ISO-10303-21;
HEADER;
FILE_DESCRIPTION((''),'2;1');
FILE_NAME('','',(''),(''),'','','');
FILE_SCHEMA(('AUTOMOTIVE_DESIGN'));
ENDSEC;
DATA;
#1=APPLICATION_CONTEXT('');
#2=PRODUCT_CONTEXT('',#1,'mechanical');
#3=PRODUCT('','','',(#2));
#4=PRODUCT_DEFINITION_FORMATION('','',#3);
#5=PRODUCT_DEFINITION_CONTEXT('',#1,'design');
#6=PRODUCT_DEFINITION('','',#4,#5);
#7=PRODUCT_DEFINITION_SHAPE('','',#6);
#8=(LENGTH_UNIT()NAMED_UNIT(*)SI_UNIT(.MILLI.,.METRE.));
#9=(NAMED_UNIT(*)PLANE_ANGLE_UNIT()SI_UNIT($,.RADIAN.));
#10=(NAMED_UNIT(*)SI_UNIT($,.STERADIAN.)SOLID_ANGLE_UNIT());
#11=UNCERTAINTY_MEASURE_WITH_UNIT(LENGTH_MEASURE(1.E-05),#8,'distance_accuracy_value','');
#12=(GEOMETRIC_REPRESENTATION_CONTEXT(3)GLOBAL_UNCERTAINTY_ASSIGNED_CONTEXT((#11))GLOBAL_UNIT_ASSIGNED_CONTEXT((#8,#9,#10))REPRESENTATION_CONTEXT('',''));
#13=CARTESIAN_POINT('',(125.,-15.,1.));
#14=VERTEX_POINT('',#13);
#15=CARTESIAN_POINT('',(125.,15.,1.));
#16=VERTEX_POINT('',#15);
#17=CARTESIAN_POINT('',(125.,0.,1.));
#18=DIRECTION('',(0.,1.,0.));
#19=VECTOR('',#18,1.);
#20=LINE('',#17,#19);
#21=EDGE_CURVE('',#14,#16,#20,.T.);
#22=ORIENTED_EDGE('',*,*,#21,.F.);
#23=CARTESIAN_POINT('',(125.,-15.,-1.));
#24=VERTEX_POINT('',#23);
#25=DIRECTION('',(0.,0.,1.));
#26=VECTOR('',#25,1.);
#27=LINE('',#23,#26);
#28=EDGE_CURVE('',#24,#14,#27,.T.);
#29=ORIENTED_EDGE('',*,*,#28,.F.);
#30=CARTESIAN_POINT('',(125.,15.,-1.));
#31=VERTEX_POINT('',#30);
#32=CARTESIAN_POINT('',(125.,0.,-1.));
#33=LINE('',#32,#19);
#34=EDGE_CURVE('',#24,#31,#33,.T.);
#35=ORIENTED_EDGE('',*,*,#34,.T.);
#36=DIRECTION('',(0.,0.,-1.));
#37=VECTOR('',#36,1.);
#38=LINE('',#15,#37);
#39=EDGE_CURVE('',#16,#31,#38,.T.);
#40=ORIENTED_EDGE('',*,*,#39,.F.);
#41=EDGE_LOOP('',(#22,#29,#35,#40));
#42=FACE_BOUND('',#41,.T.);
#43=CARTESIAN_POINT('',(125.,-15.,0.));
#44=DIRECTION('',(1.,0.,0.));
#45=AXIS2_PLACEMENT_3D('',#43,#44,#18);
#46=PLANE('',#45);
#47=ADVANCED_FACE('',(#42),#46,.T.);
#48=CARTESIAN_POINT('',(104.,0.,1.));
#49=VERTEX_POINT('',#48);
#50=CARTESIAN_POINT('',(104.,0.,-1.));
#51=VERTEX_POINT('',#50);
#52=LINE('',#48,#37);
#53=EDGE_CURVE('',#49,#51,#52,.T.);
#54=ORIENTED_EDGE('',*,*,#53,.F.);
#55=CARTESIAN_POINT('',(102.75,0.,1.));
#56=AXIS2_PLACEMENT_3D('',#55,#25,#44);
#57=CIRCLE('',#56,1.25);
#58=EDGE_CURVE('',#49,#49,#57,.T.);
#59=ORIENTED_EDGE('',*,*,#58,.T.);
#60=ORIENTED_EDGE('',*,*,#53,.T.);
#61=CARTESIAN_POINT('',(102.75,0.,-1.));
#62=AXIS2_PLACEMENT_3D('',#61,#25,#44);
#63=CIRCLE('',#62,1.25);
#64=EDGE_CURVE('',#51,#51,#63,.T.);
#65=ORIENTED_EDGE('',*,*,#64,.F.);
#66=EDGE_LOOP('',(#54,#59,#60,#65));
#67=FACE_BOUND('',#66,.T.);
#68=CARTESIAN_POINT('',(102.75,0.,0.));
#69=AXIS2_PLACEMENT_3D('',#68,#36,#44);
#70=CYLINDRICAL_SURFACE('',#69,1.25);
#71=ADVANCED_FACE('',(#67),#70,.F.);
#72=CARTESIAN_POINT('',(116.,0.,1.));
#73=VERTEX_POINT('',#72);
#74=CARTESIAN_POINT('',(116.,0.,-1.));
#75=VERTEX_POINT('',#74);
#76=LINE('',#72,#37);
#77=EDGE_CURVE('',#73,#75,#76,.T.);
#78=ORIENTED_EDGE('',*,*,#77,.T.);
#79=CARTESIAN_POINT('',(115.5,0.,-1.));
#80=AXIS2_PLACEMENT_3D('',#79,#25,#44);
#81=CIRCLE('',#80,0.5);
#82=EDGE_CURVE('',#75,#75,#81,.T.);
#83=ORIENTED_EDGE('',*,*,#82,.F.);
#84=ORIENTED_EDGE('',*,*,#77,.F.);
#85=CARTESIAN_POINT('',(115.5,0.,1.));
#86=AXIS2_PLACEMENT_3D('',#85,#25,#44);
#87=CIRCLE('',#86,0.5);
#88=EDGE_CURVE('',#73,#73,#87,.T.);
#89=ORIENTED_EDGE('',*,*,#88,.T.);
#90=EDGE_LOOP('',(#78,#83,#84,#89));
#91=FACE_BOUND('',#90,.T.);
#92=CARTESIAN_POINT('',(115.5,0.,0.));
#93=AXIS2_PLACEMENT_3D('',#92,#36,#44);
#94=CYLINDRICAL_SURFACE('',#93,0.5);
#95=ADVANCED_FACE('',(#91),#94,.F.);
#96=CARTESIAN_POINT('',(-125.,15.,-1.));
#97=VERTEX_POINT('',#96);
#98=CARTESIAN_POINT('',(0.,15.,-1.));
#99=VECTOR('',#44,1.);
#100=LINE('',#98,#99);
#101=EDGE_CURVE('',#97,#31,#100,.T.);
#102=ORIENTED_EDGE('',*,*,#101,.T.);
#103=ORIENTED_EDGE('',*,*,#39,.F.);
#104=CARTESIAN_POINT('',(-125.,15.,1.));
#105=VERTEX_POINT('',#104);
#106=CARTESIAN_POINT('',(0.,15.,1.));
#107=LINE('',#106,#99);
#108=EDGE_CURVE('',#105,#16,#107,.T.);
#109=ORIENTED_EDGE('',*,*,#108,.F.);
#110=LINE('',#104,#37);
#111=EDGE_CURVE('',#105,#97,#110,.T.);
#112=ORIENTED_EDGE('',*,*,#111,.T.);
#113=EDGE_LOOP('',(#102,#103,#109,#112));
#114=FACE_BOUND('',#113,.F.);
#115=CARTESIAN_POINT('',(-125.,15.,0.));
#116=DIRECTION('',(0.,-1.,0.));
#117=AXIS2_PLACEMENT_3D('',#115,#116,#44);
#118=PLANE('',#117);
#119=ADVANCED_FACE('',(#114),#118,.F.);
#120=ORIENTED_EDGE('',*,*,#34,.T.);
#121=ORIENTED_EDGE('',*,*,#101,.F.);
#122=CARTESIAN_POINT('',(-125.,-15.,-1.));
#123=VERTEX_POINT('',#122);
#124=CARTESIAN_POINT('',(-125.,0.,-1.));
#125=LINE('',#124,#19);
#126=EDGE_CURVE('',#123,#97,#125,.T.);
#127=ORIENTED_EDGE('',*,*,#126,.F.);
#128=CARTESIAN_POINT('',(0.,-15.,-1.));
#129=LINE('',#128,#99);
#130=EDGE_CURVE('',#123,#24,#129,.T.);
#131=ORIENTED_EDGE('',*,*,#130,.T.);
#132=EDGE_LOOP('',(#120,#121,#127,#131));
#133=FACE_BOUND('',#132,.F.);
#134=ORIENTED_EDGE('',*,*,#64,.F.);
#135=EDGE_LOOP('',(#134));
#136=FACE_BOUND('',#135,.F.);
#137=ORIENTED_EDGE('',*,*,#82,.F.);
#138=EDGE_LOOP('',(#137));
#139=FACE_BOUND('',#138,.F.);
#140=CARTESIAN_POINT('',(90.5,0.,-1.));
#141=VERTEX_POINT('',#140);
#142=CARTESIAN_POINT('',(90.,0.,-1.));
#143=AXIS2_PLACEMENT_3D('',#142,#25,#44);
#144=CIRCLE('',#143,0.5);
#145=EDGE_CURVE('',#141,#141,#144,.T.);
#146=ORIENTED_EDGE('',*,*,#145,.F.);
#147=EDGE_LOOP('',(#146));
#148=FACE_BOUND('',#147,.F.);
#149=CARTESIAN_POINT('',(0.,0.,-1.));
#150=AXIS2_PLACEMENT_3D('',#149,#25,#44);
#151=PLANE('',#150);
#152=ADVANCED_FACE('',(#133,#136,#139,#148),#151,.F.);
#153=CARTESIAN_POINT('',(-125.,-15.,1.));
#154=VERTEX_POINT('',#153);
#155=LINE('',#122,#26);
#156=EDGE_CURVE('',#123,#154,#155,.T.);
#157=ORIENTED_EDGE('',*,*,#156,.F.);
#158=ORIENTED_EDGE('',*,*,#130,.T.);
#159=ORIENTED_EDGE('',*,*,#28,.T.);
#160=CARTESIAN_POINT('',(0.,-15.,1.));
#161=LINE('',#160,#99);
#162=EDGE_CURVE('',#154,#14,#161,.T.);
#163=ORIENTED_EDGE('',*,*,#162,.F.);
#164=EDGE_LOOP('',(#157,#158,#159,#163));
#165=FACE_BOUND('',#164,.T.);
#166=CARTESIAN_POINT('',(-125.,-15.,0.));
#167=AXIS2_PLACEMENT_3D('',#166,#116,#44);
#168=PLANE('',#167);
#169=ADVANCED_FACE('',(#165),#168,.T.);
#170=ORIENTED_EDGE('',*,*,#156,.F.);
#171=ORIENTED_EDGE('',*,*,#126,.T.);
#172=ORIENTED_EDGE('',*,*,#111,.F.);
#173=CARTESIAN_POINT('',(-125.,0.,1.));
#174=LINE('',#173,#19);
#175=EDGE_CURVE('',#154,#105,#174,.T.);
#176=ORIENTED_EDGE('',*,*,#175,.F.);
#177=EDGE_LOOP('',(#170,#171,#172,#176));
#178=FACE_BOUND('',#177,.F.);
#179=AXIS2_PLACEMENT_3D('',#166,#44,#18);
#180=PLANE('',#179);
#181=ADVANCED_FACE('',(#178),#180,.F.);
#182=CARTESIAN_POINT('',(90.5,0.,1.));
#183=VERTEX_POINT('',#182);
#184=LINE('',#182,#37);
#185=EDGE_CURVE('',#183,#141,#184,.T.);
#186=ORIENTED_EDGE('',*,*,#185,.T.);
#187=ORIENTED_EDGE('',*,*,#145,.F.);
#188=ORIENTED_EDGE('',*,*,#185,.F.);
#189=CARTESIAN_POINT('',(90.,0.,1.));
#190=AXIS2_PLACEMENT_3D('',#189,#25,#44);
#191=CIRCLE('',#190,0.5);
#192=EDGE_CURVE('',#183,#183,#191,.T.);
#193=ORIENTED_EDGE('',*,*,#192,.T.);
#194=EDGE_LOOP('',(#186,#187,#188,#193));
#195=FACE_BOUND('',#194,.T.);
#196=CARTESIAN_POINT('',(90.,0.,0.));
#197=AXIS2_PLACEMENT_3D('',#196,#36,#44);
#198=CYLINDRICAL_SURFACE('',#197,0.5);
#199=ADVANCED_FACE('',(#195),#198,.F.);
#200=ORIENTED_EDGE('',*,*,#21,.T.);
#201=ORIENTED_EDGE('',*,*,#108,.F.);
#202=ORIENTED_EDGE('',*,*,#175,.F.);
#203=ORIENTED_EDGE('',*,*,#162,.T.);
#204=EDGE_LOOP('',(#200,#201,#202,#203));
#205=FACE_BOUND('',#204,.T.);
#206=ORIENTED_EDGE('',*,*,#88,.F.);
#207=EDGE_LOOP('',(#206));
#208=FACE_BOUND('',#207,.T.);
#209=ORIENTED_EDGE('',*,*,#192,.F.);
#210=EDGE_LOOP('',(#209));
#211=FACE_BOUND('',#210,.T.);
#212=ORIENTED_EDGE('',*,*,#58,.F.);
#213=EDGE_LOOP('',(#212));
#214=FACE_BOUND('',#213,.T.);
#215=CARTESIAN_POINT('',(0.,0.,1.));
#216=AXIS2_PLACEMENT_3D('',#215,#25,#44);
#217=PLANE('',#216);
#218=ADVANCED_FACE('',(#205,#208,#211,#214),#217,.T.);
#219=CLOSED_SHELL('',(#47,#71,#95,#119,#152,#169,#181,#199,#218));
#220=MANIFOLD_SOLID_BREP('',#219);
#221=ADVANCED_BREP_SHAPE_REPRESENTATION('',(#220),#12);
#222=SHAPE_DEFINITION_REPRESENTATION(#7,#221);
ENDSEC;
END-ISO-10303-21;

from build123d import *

# Parameters (mm, degrees)
F0_W     = 250
F0_H     = 30
F0_R     = 0.5
F0_R_2   = 1.25
F1_DEPTH = 1


with BuildPart() as f1:
    # F0 (on Top) → F1 (new body, symmetric)
    with BuildSketch(Plane.XY):
        Rectangle(F0_W, F0_H)
        with Locations((90, 0)):
            Circle(F0_R, mode=Mode.SUBTRACT)
        with Locations((102.75, 0)):
            Circle(F0_R_2, mode=Mode.SUBTRACT)
        with Locations((115.5, 0)):
            Circle(F0_R, mode=Mode.SUBTRACT)
    extrude(amount=F1_DEPTH, both=True)


solid = f1.part
